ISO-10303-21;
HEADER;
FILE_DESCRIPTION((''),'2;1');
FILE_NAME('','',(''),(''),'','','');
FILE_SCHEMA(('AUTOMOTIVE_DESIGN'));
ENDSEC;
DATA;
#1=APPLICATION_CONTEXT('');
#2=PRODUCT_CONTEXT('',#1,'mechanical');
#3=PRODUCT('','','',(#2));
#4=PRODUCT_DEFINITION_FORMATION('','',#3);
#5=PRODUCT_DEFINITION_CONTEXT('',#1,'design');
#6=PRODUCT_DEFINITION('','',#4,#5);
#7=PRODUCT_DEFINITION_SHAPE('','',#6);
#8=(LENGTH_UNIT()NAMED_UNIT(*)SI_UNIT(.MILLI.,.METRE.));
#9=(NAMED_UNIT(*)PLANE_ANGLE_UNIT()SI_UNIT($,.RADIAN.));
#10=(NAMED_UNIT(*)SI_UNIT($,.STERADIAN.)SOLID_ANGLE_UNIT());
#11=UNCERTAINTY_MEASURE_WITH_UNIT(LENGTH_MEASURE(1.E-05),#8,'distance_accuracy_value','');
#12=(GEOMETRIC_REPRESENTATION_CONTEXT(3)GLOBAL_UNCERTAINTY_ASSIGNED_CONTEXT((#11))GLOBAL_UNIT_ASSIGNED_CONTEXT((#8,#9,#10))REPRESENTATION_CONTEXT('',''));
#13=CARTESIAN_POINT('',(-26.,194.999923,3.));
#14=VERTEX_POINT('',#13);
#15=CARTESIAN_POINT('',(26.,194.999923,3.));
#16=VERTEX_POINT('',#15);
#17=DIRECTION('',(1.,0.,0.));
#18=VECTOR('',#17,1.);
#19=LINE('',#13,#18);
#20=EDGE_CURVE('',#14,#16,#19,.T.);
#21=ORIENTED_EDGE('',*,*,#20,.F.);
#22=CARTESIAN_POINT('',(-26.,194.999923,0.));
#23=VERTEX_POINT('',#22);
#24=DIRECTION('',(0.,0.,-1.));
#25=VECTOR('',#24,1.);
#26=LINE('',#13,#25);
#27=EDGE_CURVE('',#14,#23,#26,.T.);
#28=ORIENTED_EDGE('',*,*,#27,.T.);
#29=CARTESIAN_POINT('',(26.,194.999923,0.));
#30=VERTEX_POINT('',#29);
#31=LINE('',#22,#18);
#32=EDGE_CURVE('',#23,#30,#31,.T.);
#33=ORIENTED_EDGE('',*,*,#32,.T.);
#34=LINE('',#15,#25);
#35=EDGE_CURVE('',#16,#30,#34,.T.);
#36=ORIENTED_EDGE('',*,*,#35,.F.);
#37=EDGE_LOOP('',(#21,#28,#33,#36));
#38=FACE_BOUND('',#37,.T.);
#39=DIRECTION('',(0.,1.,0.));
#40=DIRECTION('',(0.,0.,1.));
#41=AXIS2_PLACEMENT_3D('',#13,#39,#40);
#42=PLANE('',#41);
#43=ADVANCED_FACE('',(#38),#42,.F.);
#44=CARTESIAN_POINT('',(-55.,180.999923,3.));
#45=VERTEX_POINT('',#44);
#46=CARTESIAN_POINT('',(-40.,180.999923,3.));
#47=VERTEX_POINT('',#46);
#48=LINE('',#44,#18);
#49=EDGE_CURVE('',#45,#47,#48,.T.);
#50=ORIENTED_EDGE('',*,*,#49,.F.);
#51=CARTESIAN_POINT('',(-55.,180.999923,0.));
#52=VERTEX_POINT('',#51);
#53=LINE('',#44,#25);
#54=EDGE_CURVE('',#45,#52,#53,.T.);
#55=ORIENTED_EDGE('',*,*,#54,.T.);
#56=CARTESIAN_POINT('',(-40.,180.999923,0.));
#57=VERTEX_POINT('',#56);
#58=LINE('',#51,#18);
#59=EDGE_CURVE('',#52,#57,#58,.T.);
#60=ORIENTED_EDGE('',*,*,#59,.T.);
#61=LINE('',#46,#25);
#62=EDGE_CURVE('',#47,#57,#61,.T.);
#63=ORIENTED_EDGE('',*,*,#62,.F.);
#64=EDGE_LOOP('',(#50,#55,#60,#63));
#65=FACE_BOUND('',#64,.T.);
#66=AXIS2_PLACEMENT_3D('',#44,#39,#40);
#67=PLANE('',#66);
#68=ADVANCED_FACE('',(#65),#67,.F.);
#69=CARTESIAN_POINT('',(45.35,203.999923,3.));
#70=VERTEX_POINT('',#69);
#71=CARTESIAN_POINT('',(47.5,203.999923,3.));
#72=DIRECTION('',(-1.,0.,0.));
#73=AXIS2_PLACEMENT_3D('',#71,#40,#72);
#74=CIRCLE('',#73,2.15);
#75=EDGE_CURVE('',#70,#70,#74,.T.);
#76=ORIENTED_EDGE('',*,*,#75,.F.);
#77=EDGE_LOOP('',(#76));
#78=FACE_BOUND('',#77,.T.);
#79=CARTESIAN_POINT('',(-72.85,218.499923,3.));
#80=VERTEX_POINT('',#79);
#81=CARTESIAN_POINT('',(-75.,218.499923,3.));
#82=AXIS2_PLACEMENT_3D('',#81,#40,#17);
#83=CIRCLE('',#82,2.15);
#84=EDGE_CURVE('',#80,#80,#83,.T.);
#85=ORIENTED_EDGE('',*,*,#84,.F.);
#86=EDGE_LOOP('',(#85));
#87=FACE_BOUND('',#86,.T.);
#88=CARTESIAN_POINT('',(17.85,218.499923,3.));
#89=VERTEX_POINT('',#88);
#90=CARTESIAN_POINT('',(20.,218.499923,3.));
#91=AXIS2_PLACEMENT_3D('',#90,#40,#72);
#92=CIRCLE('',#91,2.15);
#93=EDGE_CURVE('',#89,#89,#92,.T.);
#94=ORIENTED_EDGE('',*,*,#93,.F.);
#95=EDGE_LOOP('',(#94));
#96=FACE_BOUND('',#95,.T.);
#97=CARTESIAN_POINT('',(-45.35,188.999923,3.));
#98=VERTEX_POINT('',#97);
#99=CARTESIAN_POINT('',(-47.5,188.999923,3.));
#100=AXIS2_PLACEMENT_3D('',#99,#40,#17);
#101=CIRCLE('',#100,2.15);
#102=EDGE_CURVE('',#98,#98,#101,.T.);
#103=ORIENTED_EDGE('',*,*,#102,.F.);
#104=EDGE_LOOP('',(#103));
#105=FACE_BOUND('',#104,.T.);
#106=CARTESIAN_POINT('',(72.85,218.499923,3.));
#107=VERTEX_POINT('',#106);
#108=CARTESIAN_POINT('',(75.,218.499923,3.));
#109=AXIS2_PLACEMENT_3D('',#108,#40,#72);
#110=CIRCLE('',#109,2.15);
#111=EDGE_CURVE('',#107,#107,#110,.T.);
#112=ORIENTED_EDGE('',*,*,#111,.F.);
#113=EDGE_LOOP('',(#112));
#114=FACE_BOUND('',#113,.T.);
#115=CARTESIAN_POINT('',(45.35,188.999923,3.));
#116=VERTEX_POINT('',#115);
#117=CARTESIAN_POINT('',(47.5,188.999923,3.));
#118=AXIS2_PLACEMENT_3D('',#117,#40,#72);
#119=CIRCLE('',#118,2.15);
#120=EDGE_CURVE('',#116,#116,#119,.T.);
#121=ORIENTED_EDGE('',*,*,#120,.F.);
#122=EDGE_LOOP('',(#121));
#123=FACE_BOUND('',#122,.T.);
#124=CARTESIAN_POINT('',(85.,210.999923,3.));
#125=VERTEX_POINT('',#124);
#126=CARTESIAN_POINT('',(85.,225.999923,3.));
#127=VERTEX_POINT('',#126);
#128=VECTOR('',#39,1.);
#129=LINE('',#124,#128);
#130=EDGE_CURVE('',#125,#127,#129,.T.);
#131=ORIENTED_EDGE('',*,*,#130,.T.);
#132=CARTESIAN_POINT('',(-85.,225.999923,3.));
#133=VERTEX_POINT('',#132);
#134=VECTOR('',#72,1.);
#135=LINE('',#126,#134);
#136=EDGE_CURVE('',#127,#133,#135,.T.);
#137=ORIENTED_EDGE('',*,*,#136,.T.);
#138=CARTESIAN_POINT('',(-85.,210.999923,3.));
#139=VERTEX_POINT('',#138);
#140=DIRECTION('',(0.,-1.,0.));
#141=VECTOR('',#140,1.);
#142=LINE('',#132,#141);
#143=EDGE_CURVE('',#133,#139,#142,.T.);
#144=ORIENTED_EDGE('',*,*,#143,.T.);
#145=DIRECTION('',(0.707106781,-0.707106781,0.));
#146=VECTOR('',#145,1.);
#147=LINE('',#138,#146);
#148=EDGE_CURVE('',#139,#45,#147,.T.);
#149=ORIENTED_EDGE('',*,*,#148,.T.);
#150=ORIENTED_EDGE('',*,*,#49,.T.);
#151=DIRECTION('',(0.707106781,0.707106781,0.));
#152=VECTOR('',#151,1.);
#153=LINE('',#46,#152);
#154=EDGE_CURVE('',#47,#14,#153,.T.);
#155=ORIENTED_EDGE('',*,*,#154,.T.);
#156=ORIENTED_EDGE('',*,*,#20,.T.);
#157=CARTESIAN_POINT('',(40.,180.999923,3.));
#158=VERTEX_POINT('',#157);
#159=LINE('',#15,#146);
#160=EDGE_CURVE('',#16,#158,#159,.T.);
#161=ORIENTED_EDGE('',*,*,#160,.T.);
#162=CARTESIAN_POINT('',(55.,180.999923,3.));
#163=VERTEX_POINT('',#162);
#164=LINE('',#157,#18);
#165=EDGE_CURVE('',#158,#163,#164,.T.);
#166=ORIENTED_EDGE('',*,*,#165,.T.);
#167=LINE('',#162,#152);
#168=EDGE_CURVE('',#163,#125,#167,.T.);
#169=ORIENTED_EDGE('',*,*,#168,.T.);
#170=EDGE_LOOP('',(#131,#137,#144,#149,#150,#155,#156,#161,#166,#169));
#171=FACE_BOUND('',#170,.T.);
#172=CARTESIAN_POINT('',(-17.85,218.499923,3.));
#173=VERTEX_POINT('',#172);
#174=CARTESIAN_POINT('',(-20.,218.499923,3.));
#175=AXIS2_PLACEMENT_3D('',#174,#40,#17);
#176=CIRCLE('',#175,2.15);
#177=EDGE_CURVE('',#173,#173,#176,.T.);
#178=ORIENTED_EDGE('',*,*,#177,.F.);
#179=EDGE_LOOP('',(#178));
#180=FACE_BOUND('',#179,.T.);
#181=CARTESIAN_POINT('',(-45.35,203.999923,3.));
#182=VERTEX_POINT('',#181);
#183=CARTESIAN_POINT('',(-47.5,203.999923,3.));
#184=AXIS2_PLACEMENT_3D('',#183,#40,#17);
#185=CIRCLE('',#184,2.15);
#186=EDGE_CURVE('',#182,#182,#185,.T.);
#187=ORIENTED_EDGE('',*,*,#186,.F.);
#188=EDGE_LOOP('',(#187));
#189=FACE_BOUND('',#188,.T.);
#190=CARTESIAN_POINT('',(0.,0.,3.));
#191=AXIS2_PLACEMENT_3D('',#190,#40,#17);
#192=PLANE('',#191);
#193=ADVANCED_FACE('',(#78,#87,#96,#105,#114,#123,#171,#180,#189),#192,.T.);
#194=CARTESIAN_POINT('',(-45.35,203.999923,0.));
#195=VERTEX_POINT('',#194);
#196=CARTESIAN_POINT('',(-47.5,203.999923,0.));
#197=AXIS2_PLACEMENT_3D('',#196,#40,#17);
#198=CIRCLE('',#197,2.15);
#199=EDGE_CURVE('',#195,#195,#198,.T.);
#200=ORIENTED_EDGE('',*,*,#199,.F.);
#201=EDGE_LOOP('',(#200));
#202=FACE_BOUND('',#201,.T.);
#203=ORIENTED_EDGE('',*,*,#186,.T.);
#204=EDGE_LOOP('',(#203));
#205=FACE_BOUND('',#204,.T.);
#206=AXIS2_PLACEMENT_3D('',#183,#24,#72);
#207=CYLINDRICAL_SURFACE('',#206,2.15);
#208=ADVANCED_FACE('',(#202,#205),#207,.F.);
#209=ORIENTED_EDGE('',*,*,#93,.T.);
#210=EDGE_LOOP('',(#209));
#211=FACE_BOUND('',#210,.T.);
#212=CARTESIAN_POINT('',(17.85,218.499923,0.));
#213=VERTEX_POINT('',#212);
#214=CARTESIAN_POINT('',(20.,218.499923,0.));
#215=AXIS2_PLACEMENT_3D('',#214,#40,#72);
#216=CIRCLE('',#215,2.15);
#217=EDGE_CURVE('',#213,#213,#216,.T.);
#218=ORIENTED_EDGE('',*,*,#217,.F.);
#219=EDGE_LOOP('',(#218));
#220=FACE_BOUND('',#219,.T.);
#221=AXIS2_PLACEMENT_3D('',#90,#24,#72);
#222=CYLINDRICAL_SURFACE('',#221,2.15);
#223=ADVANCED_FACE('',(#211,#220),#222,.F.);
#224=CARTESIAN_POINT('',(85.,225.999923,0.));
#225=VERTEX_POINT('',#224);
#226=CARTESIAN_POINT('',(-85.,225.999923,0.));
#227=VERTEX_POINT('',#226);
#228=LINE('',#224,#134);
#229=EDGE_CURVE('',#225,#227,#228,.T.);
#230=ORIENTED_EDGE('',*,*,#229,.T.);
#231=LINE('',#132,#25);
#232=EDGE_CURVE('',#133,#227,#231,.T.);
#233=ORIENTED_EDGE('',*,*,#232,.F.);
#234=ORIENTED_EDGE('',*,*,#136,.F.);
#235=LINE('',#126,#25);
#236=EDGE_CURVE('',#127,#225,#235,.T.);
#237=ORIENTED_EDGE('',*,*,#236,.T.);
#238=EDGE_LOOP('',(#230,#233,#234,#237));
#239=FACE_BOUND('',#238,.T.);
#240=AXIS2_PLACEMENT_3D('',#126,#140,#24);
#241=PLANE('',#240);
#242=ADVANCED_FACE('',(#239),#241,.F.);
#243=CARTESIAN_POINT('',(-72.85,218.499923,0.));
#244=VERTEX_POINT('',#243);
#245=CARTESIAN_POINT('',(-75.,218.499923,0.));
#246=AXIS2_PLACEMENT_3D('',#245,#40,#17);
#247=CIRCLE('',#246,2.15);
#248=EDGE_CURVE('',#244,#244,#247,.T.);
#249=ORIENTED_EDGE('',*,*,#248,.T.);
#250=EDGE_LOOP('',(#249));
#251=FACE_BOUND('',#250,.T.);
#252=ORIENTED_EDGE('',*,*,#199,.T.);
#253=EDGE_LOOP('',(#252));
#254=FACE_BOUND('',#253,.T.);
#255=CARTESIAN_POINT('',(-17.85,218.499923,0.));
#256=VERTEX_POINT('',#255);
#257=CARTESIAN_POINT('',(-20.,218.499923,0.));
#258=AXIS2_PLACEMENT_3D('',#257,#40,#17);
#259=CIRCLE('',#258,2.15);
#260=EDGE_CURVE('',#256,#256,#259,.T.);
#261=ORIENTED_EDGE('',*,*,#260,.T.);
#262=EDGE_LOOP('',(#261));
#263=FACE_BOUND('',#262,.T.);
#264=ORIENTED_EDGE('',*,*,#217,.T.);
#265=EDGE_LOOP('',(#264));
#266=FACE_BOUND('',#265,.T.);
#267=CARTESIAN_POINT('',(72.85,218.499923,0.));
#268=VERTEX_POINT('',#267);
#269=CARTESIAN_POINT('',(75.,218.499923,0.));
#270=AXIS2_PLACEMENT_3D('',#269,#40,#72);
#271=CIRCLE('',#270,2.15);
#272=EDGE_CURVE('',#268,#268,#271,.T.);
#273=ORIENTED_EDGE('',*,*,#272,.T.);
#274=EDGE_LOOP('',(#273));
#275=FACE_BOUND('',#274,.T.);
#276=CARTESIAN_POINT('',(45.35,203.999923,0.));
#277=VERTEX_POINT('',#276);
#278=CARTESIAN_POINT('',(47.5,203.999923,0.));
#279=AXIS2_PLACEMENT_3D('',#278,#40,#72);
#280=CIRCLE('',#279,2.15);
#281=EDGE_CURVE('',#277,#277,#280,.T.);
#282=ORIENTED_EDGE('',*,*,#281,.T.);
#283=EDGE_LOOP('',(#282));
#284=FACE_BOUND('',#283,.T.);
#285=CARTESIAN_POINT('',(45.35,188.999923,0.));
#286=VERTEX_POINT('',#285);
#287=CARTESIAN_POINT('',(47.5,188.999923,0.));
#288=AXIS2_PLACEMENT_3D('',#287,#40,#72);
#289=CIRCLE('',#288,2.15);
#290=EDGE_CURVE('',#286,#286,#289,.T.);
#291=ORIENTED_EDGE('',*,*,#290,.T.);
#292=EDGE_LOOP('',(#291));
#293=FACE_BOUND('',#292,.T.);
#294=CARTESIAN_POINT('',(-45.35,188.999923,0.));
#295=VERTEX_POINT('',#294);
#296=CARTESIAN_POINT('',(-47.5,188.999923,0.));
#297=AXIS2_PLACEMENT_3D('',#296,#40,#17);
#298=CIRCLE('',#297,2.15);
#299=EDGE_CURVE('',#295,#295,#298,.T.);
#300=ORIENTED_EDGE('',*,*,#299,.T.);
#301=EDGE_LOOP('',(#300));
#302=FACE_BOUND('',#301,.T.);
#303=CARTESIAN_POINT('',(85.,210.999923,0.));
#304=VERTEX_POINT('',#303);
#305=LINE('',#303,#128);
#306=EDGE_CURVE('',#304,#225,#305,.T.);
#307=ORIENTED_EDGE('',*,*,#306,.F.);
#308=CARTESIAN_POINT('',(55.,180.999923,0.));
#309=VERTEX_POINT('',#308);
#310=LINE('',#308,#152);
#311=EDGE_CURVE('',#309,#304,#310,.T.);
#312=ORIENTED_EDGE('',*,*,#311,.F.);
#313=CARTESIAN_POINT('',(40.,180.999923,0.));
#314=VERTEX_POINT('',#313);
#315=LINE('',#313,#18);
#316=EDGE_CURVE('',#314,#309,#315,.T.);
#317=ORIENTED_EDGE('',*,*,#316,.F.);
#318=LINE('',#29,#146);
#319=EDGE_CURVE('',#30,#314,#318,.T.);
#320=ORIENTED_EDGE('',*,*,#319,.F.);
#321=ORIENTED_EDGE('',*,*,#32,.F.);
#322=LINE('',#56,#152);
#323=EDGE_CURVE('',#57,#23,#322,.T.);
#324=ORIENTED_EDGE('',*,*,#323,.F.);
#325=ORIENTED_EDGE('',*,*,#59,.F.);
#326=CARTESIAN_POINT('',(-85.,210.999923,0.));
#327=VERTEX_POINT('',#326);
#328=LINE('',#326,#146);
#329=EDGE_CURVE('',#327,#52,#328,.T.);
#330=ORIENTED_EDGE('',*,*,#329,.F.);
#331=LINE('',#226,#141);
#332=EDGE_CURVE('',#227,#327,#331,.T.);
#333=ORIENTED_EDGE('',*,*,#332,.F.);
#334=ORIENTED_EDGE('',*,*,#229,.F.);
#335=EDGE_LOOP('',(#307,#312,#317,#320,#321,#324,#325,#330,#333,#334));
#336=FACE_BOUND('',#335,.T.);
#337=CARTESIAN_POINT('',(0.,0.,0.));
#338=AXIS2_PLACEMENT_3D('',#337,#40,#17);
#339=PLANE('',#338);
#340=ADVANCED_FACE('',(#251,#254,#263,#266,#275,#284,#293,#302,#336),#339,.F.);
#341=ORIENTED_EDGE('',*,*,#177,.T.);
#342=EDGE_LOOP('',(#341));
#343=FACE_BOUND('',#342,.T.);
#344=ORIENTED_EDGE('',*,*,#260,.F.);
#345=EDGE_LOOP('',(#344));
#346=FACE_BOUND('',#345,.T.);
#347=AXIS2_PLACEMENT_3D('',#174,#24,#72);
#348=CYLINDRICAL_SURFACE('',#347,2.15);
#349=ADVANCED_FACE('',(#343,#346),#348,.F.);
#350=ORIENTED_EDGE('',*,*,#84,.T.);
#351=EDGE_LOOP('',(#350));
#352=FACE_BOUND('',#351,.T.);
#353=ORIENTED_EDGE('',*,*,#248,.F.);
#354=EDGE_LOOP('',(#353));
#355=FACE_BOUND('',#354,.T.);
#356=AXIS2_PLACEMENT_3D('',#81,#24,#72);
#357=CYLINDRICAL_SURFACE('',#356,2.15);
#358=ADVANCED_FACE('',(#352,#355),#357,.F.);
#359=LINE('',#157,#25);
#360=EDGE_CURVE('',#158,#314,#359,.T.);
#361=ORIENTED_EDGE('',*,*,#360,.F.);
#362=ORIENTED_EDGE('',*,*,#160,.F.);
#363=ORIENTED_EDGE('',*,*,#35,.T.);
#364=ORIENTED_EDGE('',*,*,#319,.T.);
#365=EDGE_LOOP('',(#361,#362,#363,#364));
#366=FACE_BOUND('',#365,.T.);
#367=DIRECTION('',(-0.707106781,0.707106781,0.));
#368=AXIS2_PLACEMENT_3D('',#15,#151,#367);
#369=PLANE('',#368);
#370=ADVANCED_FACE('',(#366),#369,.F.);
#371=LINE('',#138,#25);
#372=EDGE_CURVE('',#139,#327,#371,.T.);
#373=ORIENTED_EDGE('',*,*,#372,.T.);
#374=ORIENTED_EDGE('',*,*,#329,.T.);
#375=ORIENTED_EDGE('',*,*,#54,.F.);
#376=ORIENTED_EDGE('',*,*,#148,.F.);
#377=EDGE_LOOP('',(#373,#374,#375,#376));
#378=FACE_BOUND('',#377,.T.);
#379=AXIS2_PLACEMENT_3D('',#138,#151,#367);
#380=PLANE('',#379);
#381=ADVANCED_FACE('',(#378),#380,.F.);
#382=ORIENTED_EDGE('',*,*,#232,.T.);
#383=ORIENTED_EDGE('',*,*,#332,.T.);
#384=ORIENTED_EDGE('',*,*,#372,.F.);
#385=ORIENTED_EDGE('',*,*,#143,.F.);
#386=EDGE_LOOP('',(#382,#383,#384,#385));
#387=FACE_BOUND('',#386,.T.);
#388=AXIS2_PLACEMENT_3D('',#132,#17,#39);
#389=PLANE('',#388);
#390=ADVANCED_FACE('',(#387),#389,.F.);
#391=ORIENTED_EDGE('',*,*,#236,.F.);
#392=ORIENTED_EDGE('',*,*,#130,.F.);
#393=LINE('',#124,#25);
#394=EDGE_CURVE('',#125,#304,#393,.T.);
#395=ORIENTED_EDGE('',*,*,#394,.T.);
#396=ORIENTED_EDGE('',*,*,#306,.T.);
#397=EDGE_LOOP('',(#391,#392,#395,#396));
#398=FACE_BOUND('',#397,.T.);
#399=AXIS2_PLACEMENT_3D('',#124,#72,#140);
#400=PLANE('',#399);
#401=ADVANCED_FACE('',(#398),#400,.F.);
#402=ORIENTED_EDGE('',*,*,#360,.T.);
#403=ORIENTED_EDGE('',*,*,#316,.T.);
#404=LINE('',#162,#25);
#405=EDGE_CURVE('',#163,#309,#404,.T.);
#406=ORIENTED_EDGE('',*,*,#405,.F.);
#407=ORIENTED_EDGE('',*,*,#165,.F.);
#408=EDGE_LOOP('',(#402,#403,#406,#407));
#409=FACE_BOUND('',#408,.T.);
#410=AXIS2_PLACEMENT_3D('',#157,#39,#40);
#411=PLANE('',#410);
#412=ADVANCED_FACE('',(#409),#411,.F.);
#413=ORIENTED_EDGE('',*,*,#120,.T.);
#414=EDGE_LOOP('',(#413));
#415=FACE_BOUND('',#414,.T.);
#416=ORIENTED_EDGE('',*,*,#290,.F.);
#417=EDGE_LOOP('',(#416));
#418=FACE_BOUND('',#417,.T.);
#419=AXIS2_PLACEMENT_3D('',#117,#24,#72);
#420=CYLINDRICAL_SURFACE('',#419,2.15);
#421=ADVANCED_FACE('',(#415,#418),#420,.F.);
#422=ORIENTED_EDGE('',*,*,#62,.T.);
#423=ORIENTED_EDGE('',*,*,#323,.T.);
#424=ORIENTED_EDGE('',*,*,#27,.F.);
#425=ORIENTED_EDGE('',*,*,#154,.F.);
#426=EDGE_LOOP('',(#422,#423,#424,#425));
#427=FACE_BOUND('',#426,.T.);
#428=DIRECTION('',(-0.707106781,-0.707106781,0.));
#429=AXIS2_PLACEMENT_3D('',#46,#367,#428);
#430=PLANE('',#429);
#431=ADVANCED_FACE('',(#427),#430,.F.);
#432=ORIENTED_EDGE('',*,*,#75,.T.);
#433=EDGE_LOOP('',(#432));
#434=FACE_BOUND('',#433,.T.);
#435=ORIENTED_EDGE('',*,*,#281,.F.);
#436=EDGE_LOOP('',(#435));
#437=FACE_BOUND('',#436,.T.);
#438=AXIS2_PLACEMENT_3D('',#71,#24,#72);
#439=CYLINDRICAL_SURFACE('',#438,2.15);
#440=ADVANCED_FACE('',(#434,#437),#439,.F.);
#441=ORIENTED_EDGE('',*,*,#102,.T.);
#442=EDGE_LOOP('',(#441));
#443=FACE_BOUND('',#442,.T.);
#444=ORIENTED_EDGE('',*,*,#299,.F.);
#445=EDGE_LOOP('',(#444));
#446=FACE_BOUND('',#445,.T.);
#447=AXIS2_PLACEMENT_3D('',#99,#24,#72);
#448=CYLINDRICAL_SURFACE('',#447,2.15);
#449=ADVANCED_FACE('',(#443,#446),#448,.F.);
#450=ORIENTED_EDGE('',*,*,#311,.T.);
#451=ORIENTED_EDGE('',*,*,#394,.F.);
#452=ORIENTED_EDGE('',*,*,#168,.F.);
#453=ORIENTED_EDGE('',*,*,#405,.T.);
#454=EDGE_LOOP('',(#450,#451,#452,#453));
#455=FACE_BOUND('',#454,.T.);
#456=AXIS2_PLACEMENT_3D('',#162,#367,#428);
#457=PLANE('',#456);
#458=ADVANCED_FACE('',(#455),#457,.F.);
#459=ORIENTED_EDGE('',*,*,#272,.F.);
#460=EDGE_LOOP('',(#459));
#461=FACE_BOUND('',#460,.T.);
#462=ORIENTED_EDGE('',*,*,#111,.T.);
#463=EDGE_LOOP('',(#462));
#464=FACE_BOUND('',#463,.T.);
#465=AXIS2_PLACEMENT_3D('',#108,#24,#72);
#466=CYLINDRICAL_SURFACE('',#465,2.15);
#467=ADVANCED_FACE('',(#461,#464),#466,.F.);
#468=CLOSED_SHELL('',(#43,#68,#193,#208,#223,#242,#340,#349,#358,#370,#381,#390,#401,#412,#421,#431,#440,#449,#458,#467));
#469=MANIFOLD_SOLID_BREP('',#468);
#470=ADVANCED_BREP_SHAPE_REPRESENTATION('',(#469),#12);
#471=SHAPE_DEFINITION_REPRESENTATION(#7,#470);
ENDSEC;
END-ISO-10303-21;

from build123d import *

# Parameters (mm, degrees)
SKETCH1_R      = 2.15
EXTRUDE1_DEPTH = 3


with BuildPart() as part:
    # Sketch1 → Extrude1 (new body)
    with BuildSketch(Plane.XY):
        Polygon((-85, 225.999923245), (-85, 210.999923245), (-55, 180.999923245), (-40, 180.999923245), (-26, 194.999923245), (26, 194.999923245), (40, 180.999923245), (55, 180.999923245), (85, 210.999923245), (85, 225.999923245), align=None)
        with Locations((-47.5, 188.999923245)):
            Circle(SKETCH1_R, mode=Mode.SUBTRACT)
        with Locations((-47.5, 203.999923245)):
            Circle(SKETCH1_R, mode=Mode.SUBTRACT)
        with Locations((-75, 218.499923245)):
            Circle(SKETCH1_R, mode=Mode.SUBTRACT)
        with Locations((-20, 218.499923245)):
            Circle(SKETCH1_R, mode=Mode.SUBTRACT)
        with Locations(Location((47.5, 188.999923245, 0), (0, 0, 180))):
            Circle(SKETCH1_R, mode=Mode.SUBTRACT)
        with Locations(Location((47.5, 203.999923245, 0), (0, 0, 180))):
            Circle(SKETCH1_R, mode=Mode.SUBTRACT)
        with Locations(Location((20, 218.499923245, 0), (0, 0, 180))):
            Circle(SKETCH1_R, mode=Mode.SUBTRACT)
        with Locations(Location((75, 218.499923245, 0), (0, 0, 180))):
            Circle(SKETCH1_R, mode=Mode.SUBTRACT)
    extrude(amount=EXTRUDE1_DEPTH)


solid = part.part
